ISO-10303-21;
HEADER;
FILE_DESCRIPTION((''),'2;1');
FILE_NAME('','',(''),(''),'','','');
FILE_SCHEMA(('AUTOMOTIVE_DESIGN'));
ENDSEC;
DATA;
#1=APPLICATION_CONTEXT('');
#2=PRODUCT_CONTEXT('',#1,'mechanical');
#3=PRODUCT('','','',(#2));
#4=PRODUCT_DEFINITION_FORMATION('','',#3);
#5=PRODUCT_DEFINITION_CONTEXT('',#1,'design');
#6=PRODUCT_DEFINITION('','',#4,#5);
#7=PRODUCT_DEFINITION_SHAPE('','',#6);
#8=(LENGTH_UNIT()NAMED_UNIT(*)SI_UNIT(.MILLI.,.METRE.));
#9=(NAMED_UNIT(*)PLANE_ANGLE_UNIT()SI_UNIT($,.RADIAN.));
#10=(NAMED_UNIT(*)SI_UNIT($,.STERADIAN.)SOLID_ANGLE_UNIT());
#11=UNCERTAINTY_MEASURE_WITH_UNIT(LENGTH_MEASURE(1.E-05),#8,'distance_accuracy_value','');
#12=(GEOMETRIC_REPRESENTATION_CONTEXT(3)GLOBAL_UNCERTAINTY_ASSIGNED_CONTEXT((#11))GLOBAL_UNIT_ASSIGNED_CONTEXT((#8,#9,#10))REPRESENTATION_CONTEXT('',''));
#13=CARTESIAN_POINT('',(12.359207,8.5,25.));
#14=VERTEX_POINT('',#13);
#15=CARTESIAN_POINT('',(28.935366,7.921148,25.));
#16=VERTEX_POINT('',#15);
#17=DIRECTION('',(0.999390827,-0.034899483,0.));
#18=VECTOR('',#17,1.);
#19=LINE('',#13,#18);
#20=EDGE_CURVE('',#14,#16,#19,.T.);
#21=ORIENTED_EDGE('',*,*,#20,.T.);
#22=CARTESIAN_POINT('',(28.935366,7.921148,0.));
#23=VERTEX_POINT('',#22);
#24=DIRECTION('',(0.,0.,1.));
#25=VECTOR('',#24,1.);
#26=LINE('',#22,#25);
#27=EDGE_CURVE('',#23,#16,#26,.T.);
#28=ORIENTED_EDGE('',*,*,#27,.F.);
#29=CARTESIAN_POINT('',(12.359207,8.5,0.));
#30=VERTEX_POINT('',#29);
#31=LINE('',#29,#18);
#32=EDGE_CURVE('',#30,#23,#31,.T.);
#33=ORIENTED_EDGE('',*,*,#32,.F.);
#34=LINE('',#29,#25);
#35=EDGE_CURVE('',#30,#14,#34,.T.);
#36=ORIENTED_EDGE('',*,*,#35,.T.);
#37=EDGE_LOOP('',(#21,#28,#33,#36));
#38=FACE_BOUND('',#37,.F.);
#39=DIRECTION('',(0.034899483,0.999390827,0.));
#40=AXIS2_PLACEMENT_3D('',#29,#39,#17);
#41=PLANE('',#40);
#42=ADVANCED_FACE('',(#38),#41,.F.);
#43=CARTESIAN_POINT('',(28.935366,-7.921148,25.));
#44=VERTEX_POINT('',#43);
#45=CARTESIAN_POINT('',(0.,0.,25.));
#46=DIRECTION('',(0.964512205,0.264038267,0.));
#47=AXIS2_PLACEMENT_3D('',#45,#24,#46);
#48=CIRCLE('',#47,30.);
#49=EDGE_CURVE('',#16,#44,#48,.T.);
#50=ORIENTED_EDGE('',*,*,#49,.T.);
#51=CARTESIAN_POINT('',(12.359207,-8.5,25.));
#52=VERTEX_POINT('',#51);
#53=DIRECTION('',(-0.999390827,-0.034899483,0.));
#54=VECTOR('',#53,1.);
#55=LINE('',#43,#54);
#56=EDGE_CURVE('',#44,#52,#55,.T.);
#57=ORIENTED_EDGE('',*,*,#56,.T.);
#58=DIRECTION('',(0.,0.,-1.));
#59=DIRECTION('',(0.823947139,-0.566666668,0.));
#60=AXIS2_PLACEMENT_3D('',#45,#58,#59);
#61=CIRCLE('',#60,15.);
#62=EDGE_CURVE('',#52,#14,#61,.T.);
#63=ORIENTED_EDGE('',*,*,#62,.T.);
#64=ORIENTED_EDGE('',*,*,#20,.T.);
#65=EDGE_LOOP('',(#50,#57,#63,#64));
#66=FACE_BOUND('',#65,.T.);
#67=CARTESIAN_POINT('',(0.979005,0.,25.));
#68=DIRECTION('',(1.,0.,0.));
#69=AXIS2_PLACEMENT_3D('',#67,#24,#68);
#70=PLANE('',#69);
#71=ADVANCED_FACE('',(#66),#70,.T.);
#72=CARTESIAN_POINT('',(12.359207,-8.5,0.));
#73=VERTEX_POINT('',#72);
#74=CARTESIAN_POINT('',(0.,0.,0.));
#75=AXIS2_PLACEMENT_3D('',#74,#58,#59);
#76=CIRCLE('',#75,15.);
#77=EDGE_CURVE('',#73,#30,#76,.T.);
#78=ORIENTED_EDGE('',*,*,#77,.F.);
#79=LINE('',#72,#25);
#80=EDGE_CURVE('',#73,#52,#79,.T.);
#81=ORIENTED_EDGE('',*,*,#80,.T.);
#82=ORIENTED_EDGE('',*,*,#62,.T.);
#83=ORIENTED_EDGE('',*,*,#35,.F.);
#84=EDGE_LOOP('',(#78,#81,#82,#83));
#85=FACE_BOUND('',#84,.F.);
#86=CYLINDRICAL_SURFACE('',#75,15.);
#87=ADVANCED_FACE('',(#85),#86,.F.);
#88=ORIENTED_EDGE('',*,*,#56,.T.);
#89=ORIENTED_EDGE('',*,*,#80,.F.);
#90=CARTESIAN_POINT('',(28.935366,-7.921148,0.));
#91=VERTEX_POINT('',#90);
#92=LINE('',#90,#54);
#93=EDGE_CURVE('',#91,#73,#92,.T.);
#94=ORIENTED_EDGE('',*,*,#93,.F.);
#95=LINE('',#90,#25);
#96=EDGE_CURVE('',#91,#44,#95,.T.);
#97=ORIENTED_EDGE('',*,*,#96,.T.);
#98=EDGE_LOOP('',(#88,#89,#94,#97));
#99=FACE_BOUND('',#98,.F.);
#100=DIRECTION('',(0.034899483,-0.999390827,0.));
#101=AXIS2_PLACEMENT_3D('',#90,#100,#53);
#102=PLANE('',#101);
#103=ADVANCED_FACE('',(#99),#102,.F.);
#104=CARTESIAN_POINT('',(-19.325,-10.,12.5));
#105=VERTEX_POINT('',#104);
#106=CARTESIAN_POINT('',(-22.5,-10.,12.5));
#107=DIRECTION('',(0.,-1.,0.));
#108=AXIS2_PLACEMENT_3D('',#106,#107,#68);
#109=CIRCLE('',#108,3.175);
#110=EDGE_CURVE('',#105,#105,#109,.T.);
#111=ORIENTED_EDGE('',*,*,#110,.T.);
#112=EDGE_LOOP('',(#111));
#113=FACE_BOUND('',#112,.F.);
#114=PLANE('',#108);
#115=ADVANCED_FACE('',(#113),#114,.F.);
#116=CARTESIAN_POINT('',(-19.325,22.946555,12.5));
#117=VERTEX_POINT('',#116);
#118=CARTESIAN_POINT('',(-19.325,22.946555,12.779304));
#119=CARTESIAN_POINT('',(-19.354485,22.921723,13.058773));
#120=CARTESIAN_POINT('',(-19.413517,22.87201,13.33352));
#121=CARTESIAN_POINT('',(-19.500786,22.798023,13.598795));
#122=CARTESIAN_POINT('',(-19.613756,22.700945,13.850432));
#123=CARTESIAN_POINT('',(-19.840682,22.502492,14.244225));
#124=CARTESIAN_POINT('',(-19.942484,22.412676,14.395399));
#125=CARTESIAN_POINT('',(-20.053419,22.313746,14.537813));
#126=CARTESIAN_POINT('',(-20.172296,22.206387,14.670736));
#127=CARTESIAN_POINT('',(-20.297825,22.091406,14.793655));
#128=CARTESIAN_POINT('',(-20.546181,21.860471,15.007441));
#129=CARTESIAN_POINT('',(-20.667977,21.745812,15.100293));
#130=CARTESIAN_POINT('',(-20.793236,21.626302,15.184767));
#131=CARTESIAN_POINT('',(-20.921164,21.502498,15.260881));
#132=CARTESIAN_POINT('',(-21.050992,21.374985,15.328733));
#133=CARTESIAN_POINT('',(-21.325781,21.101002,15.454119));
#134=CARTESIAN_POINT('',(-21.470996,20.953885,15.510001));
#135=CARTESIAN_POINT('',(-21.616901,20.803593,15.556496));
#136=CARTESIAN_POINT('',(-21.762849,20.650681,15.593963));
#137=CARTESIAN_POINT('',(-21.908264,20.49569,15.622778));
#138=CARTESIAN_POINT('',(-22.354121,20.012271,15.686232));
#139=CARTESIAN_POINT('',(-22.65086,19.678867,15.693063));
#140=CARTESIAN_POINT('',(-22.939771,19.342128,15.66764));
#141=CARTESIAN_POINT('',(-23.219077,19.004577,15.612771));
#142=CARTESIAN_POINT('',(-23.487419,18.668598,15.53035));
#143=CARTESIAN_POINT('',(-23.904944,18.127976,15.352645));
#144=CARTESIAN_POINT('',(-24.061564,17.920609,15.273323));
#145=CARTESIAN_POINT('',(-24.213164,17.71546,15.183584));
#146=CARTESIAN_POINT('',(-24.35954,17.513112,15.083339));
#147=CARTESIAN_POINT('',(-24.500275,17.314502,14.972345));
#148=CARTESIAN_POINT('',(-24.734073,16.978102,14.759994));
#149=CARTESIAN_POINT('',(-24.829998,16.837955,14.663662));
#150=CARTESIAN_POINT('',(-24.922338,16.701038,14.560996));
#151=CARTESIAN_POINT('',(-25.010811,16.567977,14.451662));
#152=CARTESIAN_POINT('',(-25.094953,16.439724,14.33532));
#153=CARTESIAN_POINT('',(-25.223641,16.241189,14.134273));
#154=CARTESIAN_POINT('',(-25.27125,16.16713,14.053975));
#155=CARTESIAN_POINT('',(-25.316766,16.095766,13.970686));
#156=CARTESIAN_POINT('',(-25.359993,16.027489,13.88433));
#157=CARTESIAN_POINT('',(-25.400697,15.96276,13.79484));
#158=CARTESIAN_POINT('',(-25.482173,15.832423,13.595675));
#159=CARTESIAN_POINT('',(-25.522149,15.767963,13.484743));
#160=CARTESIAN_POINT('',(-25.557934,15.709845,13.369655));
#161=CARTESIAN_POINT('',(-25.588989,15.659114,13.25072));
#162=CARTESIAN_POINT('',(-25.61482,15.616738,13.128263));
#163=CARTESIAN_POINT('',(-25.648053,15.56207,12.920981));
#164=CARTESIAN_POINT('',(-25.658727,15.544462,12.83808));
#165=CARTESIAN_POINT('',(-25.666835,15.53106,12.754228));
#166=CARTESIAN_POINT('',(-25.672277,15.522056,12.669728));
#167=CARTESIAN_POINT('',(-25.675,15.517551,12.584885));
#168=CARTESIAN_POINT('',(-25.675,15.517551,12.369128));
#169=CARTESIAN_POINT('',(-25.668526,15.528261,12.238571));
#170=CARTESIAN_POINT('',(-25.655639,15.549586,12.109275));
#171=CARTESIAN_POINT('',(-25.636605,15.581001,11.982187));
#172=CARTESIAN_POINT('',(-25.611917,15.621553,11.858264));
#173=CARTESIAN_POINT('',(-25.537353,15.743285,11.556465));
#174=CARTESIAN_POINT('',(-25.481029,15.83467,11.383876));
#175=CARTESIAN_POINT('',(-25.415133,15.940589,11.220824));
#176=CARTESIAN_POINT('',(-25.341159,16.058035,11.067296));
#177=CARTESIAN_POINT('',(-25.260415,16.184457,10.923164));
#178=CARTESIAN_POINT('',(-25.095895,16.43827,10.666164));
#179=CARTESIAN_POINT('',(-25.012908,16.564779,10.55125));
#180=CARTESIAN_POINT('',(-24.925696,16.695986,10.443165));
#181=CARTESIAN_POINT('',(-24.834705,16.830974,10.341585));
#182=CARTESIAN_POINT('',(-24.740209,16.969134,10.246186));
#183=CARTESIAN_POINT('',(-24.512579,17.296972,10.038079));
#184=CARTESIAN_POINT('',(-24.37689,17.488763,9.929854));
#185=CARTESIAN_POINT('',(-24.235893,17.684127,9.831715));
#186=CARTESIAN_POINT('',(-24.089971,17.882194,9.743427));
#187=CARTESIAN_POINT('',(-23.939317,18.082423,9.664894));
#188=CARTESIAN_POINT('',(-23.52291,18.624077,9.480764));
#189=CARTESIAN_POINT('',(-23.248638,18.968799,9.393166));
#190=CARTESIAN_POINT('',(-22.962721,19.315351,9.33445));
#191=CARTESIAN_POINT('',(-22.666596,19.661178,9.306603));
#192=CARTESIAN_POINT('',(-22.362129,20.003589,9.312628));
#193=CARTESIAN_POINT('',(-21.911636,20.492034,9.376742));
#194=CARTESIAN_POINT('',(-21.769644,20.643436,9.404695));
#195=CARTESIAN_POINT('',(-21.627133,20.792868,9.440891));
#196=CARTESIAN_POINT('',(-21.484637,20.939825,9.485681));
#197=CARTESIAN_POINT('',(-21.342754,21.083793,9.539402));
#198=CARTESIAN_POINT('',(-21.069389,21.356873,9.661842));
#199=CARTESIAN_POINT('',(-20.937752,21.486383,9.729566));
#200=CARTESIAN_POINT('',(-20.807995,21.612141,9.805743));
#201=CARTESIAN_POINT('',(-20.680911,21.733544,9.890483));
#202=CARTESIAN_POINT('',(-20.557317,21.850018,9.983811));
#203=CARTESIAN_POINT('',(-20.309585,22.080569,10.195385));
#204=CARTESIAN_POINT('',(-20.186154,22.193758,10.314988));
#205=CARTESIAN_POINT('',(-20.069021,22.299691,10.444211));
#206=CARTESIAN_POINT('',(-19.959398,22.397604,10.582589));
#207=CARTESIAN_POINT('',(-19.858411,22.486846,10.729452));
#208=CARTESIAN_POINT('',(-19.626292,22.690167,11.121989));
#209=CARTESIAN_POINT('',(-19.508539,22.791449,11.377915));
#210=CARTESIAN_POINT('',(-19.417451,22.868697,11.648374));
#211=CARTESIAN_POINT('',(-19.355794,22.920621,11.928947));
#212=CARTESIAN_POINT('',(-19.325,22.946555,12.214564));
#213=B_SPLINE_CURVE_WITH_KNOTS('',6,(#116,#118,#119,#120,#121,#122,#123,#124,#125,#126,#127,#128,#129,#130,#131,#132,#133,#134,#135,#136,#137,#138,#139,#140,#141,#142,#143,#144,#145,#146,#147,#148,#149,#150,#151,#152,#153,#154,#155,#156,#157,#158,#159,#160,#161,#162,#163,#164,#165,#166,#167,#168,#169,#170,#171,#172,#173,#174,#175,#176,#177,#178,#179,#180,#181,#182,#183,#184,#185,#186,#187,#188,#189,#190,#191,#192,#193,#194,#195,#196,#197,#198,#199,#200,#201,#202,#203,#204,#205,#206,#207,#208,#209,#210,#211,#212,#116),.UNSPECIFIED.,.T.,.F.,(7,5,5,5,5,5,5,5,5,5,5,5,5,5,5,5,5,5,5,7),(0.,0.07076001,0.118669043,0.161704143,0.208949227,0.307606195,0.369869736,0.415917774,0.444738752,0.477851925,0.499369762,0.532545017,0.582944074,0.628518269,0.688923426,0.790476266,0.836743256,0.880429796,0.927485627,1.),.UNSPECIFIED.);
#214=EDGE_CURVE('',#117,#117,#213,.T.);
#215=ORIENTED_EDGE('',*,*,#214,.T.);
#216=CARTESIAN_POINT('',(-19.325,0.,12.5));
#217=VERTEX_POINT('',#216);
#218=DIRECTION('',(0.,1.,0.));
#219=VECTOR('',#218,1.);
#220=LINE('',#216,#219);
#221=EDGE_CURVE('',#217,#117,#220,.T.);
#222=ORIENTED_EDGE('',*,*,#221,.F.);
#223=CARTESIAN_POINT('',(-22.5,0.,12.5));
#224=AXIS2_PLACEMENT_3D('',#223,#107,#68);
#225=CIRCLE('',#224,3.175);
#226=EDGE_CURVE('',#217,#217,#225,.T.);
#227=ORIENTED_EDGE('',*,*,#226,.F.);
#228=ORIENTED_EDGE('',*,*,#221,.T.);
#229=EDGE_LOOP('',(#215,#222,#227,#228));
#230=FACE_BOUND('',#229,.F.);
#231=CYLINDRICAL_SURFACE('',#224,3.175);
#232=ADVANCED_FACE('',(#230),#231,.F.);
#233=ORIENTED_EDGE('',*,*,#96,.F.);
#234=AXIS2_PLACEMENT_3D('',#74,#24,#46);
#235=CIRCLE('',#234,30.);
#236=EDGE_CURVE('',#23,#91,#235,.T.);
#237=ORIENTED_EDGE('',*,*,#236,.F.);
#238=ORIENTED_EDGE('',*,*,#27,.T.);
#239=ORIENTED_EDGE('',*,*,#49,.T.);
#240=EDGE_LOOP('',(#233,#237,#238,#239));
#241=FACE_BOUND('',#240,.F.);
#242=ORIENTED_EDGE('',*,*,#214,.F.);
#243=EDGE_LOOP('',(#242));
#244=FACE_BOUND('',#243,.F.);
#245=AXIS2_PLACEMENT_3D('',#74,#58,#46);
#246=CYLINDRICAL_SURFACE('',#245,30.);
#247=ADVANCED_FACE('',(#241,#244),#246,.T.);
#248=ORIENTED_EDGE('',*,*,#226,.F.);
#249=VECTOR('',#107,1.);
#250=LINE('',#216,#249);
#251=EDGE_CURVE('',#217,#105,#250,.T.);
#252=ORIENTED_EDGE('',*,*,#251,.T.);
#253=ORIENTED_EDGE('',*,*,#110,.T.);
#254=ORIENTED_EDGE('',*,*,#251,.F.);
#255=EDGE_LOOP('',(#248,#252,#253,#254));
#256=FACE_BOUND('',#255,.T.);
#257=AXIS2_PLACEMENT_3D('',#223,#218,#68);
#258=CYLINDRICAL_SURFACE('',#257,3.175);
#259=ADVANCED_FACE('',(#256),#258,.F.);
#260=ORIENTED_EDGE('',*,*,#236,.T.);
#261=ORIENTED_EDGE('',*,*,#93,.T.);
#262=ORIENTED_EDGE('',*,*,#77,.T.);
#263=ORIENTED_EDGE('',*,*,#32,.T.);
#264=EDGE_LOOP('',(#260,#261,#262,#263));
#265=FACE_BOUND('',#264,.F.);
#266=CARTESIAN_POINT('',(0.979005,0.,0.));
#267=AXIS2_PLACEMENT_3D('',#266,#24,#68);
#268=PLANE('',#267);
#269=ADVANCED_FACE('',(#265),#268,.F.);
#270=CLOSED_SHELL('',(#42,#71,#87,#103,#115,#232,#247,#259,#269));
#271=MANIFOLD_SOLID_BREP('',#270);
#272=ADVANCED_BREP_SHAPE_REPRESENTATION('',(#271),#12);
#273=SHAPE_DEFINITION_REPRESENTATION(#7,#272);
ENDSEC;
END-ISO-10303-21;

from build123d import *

# Parameters (mm, degrees)
F1_DEPTH      = 25
F2_R          = 3.175
F3_DEPTH      = 10
F3_DEPTH_BACK = 30.001


with BuildPart() as f1:
    # F0 (on Top) → F1 (new body)
    with BuildSketch(Plane.XY):
        with BuildLine():
            ThreePointArc((12.359207, -8.5), (-15, 0), (12.359207, 8.5))
            Line((12.359207, 8.5), (28.935366, 7.921148))
            ThreePointArc((28.935366, 7.921148), (-30, 0), (28.935366, -7.921148))
            Line((28.935366, -7.921148), (12.359207, -8.5))
        make_face()
    extrude(amount=F1_DEPTH)

    # F2 (on Front) → F3 (cut, two sides)
    with BuildSketch(Plane.XZ) as f3_sk:
        with Locations((-22.5, 12.5)):
            Circle(F2_R)
    extrude(amount=F3_DEPTH, mode=Mode.SUBTRACT)
    extrude(f3_sk.sketch, amount=-F3_DEPTH_BACK, mode=Mode.SUBTRACT)


solid = f1.part
